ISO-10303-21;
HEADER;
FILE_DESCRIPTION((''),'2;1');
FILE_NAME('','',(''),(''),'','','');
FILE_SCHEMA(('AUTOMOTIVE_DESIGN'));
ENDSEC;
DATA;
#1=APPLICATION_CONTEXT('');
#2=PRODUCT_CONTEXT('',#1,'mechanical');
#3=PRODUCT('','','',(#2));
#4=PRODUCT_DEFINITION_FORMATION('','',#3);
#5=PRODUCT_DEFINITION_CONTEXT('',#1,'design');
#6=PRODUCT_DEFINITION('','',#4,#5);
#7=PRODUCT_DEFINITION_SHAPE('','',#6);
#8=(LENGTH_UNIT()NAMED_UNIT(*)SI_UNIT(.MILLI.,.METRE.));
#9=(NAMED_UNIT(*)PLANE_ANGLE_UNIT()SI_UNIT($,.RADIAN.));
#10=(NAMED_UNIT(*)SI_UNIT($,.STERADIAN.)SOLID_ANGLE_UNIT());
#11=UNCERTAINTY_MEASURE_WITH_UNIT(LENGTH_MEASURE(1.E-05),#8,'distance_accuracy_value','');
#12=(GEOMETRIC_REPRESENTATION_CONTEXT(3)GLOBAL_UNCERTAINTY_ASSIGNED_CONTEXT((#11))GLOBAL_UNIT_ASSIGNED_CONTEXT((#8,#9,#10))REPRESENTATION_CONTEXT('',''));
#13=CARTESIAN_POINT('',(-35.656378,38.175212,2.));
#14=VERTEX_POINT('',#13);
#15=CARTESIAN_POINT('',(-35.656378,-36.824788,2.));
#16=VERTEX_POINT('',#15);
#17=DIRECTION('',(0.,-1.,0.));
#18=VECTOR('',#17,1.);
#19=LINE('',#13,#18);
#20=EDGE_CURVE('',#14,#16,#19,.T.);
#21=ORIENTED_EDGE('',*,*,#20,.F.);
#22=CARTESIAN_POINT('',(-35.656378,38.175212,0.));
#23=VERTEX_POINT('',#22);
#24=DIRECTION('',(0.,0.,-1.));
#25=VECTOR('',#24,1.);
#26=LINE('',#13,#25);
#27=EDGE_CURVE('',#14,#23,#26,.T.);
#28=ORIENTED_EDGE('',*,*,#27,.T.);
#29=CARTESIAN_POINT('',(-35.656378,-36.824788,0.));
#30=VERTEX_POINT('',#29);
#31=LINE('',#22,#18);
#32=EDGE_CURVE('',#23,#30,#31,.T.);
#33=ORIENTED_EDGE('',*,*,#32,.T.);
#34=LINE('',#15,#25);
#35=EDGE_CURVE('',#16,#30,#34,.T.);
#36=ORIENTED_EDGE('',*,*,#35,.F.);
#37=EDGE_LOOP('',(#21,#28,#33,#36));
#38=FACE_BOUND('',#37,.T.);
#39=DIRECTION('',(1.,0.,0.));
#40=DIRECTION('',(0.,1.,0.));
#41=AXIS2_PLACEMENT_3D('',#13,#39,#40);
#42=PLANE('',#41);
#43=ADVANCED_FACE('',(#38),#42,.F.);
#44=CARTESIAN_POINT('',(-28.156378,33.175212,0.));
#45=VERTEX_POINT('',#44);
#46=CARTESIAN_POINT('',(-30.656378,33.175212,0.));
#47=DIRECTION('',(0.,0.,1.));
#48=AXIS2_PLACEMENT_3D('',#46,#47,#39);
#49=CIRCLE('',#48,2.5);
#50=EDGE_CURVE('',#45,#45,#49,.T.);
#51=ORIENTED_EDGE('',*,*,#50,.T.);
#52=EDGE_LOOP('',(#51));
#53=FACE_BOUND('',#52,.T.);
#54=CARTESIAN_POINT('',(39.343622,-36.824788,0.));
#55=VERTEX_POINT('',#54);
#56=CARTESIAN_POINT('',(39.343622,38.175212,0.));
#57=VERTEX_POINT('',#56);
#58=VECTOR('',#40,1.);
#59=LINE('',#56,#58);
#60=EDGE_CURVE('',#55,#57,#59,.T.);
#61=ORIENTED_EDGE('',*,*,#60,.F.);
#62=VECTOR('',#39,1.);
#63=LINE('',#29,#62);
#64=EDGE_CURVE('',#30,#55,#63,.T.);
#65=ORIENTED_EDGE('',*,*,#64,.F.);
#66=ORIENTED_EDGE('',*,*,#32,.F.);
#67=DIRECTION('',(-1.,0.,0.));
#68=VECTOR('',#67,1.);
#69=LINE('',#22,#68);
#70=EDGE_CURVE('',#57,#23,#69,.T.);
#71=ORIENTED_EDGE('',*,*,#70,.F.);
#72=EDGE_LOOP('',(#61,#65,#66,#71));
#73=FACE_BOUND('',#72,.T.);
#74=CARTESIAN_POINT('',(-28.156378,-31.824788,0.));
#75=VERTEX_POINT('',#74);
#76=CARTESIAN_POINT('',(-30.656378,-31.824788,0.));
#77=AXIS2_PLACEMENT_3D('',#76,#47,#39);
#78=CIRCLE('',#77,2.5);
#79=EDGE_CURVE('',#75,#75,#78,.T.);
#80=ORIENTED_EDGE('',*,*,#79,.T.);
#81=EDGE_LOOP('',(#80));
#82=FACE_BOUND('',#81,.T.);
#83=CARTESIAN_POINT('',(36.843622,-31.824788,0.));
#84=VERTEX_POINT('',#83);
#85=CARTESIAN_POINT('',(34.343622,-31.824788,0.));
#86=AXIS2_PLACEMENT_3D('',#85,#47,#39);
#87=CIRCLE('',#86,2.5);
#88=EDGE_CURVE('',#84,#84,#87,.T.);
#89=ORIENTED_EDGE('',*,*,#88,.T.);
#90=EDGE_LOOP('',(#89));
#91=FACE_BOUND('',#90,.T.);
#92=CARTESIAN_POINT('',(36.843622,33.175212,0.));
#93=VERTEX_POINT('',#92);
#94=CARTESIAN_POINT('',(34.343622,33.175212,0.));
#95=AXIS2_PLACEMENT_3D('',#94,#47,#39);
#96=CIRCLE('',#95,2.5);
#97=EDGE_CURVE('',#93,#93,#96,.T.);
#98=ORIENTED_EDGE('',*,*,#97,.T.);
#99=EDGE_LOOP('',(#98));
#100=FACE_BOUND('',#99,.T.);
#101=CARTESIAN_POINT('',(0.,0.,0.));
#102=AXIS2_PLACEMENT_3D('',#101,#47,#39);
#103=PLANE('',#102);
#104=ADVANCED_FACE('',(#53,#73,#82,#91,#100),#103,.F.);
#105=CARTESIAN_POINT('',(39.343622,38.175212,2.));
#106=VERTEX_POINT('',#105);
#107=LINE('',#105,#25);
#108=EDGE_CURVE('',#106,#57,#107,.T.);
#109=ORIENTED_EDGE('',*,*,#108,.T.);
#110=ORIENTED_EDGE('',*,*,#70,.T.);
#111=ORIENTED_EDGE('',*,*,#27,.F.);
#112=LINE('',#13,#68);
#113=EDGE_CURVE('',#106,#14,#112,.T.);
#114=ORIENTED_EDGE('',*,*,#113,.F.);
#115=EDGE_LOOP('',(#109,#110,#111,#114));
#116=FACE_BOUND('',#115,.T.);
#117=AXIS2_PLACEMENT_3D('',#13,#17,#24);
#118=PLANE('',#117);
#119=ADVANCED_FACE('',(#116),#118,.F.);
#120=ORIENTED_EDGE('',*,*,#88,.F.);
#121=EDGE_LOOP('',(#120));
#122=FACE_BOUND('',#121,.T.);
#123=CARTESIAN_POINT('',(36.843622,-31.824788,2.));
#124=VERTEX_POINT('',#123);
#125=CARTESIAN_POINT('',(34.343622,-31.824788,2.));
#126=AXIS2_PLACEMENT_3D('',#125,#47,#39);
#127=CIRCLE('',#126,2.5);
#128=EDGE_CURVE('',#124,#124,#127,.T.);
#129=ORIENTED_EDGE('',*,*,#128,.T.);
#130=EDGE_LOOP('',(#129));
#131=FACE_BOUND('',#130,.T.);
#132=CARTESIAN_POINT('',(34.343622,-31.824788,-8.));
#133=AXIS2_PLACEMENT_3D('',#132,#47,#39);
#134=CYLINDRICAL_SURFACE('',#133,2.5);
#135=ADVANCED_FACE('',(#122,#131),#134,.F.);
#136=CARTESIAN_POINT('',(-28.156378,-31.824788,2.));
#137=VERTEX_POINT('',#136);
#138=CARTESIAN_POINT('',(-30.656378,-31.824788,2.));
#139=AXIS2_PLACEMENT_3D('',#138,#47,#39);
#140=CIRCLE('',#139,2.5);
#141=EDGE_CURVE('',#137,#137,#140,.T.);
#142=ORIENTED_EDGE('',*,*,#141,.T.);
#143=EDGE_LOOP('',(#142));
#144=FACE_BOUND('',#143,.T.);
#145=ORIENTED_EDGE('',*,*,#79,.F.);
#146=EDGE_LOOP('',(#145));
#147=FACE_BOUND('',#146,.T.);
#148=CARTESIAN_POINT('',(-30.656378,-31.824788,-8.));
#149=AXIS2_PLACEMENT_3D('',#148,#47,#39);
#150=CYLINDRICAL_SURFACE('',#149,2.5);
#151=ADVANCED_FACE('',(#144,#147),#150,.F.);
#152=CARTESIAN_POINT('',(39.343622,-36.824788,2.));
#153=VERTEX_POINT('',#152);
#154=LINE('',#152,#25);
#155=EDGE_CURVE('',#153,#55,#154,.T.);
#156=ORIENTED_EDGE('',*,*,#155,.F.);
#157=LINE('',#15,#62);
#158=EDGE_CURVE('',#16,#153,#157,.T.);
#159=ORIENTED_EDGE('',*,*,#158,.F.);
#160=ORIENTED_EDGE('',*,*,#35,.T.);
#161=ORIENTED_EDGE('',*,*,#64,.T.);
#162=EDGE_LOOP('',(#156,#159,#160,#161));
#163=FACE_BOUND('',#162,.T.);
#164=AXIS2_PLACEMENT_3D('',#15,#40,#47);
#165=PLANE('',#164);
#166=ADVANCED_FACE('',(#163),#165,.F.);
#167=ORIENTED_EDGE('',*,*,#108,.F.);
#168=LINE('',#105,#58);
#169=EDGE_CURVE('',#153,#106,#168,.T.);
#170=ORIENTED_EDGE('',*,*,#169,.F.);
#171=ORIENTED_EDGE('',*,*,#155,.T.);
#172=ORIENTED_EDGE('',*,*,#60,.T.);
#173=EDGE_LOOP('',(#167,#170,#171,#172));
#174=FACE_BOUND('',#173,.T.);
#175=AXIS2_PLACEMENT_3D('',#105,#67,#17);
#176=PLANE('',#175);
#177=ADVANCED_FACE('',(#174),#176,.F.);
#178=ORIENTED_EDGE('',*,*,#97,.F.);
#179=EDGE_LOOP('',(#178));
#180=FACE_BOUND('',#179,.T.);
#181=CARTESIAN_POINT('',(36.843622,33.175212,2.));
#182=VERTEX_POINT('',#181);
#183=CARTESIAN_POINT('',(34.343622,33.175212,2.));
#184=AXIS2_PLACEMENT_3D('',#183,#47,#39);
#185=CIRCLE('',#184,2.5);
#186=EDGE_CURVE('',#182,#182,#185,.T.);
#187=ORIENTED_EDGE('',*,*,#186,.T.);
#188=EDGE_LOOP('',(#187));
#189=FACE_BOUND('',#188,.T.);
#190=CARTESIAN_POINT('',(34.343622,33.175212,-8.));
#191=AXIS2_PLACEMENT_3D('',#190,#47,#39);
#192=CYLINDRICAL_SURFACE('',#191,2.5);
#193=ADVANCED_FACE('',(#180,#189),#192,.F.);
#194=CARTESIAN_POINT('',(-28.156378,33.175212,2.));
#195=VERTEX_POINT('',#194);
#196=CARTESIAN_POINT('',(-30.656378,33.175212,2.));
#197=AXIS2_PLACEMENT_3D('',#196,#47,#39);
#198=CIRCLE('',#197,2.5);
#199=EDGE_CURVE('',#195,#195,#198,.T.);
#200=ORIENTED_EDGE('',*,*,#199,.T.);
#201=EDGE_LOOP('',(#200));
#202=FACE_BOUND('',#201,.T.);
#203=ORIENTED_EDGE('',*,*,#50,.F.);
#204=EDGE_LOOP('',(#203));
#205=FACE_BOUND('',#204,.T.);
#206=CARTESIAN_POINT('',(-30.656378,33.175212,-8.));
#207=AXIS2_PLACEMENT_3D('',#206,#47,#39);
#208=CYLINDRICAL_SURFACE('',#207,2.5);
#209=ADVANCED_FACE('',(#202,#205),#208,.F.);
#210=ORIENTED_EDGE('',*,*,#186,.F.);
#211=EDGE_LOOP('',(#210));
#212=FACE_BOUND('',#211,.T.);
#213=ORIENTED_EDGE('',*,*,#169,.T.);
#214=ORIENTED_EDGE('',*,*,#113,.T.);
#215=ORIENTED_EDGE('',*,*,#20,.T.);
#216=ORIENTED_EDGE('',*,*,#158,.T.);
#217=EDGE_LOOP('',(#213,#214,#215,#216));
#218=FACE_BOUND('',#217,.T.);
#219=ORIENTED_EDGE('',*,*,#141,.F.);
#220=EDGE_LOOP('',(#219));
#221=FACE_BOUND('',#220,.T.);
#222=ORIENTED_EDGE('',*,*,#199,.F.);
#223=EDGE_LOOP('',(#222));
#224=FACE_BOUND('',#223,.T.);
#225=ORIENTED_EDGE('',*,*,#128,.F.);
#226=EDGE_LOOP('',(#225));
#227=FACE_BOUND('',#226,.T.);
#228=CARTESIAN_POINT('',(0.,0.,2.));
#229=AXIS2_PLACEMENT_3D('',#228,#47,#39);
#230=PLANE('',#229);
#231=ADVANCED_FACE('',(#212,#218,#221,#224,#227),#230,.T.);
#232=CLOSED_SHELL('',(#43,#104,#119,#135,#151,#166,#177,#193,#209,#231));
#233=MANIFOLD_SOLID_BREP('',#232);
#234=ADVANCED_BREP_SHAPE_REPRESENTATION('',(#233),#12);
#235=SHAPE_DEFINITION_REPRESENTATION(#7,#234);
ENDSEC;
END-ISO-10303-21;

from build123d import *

# Parameters (mm, degrees)
ESQUISSE1_W             = 75
ESQUISSE1_H             = 75
BOSS_EXTRU_1_DEPTH      = 2
ESQUISSE2_R             = 2.5
ENL_V_MAT_EXTRU_1_DEPTH = 10


with BuildPart() as part:
    # Esquisse1 → Boss.-Extru.1 (new body)
    with BuildSketch(Plane.XY):
        with Locations((1.843621827, 0.675211506)):
            Rectangle(ESQUISSE1_W, ESQUISSE1_H)
    extrude(amount=BOSS_EXTRU_1_DEPTH)

    # Esquisse2 → Enlèv. mat.-Extru.1 (cut)
    with BuildSketch(Plane.XY.offset(2)):
        with Locations((-30.656378173, 33.175211506)):
            Circle(ESQUISSE2_R)
        with Locations((-30.656378173, -31.824788494)):
            Circle(ESQUISSE2_R)
        with Locations((34.343621827, 33.175211506)):
            Circle(ESQUISSE2_R)
        with Locations((34.343621827, -31.824788494)):
            Circle(ESQUISSE2_R)
    extrude(amount=-ENL_V_MAT_EXTRU_1_DEPTH, mode=Mode.SUBTRACT)


solid = part.part
